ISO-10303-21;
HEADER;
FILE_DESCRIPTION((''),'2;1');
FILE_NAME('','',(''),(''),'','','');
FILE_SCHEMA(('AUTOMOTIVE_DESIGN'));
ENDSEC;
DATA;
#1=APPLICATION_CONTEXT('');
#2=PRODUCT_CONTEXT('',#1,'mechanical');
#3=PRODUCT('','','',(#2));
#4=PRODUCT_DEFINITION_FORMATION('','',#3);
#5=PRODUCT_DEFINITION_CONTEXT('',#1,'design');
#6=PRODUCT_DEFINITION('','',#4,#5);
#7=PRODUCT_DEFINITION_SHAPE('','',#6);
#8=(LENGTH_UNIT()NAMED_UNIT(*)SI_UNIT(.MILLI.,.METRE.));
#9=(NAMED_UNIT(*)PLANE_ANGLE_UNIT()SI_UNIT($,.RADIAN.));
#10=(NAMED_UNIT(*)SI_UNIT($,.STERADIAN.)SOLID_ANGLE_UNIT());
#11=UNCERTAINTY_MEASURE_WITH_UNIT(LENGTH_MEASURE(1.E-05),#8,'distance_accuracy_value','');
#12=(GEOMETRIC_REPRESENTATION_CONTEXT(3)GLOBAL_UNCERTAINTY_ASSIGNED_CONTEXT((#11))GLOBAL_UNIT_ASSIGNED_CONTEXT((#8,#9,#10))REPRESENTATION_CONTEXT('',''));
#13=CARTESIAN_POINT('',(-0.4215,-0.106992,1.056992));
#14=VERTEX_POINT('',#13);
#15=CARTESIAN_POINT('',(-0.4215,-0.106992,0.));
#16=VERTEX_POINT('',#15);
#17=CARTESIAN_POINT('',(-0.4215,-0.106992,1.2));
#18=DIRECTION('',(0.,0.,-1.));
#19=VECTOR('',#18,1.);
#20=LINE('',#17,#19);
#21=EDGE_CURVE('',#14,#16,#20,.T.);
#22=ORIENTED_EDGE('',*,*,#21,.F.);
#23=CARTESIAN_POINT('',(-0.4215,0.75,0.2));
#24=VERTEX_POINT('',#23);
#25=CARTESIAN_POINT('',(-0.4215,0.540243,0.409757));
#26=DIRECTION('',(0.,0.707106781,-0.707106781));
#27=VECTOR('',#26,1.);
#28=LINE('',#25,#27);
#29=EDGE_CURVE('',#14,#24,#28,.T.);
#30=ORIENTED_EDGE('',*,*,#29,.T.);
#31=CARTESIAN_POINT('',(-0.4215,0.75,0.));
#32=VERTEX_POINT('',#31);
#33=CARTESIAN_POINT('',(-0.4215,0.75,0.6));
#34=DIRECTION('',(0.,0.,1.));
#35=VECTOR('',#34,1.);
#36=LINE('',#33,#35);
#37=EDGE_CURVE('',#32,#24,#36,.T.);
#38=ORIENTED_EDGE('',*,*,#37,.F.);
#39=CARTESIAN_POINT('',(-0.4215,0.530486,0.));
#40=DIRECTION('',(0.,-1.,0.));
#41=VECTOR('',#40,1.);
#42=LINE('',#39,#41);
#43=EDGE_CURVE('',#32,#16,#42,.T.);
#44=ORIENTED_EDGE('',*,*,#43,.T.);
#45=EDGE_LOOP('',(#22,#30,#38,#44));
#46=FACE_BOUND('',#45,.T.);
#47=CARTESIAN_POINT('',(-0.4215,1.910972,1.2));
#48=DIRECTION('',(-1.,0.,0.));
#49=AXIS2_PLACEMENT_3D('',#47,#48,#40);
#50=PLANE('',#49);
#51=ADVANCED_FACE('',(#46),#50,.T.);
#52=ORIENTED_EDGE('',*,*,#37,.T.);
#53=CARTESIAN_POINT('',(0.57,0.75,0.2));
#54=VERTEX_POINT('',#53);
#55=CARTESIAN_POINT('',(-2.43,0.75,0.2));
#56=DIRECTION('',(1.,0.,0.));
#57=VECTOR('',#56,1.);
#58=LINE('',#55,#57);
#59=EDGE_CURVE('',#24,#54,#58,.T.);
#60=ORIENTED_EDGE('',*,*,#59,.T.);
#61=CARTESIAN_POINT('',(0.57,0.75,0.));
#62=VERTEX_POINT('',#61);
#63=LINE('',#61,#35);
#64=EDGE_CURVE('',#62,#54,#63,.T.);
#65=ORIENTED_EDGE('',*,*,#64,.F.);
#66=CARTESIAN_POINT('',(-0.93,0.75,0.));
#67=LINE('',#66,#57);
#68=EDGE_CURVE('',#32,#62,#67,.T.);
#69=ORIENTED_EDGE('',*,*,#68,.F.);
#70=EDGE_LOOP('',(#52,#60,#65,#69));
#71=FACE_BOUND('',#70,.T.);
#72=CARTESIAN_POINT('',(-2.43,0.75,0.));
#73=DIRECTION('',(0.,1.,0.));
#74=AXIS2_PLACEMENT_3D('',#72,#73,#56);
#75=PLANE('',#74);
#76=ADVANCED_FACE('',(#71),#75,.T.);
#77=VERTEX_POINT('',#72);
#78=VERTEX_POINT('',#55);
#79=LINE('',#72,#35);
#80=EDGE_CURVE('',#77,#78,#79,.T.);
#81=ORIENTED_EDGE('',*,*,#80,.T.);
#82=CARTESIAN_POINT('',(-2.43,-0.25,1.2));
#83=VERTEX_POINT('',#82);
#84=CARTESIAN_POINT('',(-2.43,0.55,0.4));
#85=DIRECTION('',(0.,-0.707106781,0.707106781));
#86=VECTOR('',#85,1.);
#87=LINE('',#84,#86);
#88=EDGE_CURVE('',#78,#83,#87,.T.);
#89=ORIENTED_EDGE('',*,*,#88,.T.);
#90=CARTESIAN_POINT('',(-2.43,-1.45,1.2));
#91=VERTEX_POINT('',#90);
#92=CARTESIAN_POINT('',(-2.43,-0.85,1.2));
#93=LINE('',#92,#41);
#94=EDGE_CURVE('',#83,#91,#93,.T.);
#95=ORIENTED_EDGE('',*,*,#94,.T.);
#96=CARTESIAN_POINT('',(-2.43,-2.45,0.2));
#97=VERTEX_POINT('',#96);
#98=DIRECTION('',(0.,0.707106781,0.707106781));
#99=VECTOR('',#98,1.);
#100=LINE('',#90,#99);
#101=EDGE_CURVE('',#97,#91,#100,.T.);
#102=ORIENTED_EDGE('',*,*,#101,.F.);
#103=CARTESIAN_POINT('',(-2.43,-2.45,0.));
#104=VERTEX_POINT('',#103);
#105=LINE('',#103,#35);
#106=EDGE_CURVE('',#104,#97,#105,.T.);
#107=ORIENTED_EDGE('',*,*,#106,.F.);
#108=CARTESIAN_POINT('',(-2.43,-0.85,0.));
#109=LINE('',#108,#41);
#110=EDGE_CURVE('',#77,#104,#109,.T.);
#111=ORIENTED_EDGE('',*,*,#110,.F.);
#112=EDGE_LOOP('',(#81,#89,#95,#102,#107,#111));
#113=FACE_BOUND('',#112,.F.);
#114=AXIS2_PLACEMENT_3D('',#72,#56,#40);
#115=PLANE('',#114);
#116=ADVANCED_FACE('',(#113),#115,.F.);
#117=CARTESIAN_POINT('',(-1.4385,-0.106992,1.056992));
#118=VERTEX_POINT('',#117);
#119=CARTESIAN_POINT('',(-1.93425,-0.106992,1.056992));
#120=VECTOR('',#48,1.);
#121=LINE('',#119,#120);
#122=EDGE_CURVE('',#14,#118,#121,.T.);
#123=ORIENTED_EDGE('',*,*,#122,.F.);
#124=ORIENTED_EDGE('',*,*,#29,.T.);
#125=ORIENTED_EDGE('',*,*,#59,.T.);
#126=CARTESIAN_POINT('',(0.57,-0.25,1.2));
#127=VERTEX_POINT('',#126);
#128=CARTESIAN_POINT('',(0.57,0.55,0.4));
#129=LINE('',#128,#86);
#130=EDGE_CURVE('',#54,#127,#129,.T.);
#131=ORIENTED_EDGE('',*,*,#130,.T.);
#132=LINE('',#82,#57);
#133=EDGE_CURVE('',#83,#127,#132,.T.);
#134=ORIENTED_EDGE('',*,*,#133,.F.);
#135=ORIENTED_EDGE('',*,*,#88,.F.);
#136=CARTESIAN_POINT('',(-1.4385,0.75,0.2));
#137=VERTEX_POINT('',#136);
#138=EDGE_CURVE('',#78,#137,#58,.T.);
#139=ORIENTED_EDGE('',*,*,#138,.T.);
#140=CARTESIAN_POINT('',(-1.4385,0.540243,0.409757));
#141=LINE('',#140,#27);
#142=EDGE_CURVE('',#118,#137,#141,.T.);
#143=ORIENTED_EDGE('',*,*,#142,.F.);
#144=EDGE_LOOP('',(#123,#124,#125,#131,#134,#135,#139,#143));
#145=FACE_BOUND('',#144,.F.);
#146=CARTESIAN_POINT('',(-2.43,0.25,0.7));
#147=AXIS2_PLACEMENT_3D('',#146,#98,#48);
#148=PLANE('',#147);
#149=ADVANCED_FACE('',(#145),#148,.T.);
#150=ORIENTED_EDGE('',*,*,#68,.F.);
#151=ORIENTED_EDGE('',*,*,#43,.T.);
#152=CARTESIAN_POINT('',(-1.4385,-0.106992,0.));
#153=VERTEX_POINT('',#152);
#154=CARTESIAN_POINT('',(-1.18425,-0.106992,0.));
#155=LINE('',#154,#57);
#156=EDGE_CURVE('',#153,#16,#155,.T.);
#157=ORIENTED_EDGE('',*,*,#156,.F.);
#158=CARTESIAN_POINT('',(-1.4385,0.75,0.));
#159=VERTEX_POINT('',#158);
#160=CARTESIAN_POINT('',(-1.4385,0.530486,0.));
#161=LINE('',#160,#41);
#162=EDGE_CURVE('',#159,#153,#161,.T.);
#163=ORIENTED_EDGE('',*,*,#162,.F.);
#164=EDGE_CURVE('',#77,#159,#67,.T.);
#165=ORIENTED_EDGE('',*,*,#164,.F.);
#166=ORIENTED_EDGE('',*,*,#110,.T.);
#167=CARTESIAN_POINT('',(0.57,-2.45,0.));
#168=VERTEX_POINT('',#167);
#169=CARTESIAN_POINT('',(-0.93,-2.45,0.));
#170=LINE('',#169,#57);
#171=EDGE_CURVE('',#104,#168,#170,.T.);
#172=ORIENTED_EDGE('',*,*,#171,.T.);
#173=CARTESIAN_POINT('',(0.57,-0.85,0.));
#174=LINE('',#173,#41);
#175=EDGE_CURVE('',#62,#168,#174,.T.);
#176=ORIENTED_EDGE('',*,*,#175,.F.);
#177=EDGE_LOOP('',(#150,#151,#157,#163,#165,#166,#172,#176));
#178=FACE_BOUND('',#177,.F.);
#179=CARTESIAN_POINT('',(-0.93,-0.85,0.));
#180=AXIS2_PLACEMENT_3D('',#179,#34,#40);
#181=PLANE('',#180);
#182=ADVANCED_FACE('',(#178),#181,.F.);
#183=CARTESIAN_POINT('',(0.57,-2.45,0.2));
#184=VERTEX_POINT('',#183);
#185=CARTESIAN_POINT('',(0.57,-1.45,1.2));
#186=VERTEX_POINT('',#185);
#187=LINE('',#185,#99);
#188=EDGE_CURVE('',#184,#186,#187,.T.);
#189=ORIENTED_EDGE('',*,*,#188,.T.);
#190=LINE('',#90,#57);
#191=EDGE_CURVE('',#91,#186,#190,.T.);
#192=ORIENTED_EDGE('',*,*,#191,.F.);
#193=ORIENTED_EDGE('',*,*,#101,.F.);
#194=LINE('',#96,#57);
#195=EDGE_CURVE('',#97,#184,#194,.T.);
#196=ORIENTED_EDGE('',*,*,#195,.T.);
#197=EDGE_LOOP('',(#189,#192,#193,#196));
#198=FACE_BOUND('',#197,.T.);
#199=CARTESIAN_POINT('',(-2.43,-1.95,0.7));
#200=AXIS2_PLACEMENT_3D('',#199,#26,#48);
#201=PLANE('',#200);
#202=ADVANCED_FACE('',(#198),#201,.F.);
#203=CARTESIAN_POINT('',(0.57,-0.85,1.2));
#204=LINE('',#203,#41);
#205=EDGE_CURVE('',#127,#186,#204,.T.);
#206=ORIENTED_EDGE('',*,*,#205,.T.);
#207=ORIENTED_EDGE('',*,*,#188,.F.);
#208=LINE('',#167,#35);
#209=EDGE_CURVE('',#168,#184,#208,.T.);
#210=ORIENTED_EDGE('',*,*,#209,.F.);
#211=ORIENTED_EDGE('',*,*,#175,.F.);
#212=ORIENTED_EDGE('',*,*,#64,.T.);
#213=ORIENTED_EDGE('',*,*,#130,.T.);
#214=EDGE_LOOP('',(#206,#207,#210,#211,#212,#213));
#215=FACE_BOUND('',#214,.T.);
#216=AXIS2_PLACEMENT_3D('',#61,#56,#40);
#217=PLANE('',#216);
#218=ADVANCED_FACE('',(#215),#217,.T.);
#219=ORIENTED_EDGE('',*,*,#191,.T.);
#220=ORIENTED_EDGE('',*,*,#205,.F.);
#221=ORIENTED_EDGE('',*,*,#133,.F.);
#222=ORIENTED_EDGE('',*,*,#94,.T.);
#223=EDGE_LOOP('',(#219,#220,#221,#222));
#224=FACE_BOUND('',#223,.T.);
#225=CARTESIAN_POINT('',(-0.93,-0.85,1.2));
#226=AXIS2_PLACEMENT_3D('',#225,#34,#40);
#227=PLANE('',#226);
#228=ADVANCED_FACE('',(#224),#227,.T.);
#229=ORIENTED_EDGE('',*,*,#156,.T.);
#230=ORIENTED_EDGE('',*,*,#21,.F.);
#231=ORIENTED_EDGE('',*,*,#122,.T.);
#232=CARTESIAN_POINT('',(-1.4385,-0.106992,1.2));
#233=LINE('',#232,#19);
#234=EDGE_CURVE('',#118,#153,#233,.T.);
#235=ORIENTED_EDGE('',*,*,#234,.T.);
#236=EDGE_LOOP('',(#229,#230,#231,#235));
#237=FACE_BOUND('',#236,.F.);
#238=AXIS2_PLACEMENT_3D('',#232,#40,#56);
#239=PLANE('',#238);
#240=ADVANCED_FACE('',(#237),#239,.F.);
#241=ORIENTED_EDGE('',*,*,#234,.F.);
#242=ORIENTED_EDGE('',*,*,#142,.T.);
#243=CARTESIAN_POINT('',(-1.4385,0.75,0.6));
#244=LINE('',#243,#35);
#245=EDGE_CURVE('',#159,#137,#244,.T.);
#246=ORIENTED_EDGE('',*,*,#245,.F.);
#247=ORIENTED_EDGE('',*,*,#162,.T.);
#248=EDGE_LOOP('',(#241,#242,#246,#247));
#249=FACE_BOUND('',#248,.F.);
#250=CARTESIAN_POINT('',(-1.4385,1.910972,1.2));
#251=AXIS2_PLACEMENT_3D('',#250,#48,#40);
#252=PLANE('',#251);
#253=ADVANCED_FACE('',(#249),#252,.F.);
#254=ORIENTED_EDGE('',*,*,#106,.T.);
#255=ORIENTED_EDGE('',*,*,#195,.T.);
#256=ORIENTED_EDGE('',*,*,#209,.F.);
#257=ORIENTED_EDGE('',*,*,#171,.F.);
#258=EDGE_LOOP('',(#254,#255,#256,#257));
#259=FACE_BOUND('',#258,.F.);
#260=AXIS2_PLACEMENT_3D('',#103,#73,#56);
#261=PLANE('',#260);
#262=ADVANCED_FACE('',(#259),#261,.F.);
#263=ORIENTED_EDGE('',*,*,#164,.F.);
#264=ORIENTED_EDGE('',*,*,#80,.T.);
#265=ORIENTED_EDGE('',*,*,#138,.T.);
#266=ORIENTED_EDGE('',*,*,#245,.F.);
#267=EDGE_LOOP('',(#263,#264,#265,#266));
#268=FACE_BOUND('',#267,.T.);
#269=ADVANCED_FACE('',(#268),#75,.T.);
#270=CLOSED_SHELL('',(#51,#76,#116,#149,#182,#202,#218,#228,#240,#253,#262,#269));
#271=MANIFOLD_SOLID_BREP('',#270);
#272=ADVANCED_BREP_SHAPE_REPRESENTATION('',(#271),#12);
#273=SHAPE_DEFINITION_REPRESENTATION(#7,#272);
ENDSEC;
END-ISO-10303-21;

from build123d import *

# Parameters (mm, degrees)
SKETCH024_W             = 3.2
SKETCH024_H             = 3
PAD023_DEPTH            = 1.2
CHAMFER009_SIZE         = 1
SKETCH025_W             = 2.017963
SKETCH025_H             = 1.017
POCKET001_DEPTH         = 5
BODY023_PLACEMENT_ANGLE = 90


with BuildPart() as part:
    # Sketch024 → Pad023 (new body)
    with BuildSketch(Plane.XY):
        Rectangle(SKETCH024_W, SKETCH024_H)
    extrude(amount=PAD023_DEPTH)

    # Chamfer009
    chamfer009_edges = [part.edges().sort_by_distance(p)[0] for p in [
        (-1.6, 0, 1.2),
        (1.6, 0, 1.2),
    ]]
    chamfer(chamfer009_edges, length=CHAMFER009_SIZE)

    # Sketch025 (on Face5 of Chamfer009) → Pocket001 (cut)
    with BuildSketch(Plane.XY.offset(1.2)):
        with Locations((-1.75199, 0)):
            Rectangle(SKETCH025_W, SKETCH025_H)
    extrude(amount=-POCKET001_DEPTH, mode=Mode.SUBTRACT)


with BuildPart() as part_1:
    # Body023 placement: moved
    add(part.part.moved(Location((-0.93, -0.85, 0))).rotate(Axis((-0.93, -0.85, 0), (0, 0, -1)), BODY023_PLACEMENT_ANGLE))


solid = part_1.part
